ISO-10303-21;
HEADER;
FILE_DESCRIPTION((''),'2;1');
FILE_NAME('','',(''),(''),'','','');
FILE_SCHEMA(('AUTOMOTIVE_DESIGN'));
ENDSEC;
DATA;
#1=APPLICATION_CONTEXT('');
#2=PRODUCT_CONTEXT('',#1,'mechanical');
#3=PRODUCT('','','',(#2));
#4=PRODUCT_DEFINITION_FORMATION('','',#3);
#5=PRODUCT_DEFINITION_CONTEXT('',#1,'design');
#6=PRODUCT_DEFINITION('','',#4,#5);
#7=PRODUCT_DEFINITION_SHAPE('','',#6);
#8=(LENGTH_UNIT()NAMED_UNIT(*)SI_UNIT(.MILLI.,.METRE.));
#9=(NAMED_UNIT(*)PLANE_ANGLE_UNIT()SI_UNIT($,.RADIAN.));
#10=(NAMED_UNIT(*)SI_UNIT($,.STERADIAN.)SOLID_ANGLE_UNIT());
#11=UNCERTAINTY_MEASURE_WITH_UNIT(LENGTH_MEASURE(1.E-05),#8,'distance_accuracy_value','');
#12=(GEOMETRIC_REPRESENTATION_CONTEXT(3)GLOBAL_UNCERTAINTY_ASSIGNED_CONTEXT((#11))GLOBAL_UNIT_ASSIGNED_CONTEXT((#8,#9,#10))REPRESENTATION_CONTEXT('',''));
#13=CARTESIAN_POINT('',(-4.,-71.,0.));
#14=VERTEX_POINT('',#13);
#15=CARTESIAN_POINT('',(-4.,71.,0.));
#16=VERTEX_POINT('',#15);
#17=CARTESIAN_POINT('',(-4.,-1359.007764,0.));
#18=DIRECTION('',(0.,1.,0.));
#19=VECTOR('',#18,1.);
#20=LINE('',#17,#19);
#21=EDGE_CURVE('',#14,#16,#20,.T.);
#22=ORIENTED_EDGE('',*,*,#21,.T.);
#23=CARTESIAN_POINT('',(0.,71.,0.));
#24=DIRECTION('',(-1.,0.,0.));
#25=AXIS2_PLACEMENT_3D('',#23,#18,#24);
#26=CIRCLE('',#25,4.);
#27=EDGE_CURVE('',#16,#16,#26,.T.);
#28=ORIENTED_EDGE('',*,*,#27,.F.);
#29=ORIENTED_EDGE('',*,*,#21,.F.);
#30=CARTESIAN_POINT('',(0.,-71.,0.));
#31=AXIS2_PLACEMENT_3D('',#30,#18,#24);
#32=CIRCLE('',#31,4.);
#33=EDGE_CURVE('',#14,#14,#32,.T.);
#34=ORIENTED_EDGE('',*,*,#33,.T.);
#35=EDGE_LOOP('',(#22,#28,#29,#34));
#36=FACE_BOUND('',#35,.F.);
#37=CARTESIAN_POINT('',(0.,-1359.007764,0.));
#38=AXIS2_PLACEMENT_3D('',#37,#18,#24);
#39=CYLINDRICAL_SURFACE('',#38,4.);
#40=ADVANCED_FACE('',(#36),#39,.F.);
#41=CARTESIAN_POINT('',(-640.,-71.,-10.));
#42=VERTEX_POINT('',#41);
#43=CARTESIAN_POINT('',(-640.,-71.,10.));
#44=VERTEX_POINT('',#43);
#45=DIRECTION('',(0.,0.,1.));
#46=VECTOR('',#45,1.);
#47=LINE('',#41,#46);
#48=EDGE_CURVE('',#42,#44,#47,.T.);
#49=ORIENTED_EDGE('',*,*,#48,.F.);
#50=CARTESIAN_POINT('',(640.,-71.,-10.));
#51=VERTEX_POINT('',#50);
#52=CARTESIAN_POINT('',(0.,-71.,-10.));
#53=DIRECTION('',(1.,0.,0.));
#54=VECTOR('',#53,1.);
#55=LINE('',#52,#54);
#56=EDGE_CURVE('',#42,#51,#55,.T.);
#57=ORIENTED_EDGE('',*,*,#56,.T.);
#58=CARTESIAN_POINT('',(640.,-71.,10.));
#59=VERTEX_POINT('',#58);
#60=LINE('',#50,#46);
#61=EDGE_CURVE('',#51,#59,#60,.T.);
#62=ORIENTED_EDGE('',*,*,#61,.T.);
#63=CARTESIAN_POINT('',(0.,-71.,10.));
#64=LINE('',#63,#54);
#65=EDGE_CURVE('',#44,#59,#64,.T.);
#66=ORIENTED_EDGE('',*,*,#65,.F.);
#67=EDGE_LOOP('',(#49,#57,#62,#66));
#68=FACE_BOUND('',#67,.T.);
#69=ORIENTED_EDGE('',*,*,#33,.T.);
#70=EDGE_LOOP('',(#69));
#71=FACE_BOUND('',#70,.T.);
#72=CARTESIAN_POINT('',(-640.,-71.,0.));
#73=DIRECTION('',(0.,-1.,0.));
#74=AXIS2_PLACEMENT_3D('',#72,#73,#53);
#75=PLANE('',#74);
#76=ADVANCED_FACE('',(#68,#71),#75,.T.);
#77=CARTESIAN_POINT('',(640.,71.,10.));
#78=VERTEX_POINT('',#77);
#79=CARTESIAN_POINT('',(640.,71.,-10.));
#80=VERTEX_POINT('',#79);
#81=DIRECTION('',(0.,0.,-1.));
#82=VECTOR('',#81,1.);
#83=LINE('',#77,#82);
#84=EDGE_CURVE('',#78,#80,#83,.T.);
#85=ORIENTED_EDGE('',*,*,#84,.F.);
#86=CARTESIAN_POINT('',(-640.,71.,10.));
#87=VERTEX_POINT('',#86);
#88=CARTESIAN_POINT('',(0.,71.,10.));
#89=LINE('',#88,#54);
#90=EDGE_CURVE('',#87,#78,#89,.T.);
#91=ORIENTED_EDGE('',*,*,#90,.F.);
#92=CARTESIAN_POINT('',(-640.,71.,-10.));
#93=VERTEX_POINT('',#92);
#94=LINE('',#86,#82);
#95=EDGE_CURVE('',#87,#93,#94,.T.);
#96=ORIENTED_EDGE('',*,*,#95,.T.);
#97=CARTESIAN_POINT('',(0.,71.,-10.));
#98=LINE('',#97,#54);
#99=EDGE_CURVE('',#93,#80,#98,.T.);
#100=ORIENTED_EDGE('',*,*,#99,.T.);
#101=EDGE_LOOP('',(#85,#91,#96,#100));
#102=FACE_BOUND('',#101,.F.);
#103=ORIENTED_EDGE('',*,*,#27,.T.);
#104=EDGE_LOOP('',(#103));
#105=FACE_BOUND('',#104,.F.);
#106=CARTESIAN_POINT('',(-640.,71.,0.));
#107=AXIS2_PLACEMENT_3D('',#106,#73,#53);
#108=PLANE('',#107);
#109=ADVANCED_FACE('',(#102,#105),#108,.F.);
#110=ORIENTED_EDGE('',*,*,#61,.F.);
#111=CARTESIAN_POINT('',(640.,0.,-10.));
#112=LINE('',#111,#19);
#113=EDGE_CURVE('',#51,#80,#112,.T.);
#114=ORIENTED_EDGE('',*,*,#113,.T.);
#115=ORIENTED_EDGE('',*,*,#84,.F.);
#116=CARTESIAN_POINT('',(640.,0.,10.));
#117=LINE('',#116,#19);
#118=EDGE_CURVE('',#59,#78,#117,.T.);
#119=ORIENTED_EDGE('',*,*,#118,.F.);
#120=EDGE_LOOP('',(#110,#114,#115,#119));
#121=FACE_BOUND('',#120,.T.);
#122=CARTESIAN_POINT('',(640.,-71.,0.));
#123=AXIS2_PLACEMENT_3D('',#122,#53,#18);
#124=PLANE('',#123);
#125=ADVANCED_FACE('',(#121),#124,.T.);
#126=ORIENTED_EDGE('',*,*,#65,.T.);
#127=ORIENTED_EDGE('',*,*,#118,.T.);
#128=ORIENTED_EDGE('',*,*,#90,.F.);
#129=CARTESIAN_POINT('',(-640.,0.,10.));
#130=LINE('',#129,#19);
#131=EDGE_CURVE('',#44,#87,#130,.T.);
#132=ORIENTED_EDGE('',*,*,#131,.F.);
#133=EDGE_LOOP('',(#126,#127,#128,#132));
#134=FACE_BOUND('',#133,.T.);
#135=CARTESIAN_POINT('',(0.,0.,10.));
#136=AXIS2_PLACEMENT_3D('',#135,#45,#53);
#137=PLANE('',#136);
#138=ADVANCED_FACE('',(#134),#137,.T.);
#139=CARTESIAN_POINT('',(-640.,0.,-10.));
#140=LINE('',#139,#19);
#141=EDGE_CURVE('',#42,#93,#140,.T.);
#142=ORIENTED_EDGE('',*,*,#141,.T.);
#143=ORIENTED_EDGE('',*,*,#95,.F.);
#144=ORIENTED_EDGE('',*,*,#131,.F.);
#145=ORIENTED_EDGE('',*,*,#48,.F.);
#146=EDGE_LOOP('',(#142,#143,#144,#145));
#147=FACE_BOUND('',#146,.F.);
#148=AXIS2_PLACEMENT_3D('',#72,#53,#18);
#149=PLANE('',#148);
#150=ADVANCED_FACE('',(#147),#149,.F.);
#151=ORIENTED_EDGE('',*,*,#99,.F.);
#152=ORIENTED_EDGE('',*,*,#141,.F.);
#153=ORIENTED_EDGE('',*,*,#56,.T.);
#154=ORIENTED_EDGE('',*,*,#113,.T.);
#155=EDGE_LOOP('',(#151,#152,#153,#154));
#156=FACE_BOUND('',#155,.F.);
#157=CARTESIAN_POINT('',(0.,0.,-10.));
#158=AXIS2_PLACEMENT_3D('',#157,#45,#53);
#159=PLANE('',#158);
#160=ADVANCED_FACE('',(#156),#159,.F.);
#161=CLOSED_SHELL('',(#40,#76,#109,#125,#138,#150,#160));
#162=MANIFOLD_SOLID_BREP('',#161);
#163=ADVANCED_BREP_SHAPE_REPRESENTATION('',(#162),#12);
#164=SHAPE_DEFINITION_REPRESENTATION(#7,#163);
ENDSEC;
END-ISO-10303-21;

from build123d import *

# Parameters (mm, degrees)
F0_W     = 1280
F0_H     = 142
F1_DEPTH = 10
F3_D     = 8


with BuildPart() as f1:
    # F0 (on Top) → F1 (new body, symmetric)
    with BuildSketch(Plane.XY):
        Rectangle(F0_W, F0_H)
    extrude(amount=F1_DEPTH, both=True)

    # F3 (through all)
    with Locations(Plane.XZ.offset(71)):
        with Locations((0, 0)):
            Hole(F3_D / 2)


solid = f1.part
